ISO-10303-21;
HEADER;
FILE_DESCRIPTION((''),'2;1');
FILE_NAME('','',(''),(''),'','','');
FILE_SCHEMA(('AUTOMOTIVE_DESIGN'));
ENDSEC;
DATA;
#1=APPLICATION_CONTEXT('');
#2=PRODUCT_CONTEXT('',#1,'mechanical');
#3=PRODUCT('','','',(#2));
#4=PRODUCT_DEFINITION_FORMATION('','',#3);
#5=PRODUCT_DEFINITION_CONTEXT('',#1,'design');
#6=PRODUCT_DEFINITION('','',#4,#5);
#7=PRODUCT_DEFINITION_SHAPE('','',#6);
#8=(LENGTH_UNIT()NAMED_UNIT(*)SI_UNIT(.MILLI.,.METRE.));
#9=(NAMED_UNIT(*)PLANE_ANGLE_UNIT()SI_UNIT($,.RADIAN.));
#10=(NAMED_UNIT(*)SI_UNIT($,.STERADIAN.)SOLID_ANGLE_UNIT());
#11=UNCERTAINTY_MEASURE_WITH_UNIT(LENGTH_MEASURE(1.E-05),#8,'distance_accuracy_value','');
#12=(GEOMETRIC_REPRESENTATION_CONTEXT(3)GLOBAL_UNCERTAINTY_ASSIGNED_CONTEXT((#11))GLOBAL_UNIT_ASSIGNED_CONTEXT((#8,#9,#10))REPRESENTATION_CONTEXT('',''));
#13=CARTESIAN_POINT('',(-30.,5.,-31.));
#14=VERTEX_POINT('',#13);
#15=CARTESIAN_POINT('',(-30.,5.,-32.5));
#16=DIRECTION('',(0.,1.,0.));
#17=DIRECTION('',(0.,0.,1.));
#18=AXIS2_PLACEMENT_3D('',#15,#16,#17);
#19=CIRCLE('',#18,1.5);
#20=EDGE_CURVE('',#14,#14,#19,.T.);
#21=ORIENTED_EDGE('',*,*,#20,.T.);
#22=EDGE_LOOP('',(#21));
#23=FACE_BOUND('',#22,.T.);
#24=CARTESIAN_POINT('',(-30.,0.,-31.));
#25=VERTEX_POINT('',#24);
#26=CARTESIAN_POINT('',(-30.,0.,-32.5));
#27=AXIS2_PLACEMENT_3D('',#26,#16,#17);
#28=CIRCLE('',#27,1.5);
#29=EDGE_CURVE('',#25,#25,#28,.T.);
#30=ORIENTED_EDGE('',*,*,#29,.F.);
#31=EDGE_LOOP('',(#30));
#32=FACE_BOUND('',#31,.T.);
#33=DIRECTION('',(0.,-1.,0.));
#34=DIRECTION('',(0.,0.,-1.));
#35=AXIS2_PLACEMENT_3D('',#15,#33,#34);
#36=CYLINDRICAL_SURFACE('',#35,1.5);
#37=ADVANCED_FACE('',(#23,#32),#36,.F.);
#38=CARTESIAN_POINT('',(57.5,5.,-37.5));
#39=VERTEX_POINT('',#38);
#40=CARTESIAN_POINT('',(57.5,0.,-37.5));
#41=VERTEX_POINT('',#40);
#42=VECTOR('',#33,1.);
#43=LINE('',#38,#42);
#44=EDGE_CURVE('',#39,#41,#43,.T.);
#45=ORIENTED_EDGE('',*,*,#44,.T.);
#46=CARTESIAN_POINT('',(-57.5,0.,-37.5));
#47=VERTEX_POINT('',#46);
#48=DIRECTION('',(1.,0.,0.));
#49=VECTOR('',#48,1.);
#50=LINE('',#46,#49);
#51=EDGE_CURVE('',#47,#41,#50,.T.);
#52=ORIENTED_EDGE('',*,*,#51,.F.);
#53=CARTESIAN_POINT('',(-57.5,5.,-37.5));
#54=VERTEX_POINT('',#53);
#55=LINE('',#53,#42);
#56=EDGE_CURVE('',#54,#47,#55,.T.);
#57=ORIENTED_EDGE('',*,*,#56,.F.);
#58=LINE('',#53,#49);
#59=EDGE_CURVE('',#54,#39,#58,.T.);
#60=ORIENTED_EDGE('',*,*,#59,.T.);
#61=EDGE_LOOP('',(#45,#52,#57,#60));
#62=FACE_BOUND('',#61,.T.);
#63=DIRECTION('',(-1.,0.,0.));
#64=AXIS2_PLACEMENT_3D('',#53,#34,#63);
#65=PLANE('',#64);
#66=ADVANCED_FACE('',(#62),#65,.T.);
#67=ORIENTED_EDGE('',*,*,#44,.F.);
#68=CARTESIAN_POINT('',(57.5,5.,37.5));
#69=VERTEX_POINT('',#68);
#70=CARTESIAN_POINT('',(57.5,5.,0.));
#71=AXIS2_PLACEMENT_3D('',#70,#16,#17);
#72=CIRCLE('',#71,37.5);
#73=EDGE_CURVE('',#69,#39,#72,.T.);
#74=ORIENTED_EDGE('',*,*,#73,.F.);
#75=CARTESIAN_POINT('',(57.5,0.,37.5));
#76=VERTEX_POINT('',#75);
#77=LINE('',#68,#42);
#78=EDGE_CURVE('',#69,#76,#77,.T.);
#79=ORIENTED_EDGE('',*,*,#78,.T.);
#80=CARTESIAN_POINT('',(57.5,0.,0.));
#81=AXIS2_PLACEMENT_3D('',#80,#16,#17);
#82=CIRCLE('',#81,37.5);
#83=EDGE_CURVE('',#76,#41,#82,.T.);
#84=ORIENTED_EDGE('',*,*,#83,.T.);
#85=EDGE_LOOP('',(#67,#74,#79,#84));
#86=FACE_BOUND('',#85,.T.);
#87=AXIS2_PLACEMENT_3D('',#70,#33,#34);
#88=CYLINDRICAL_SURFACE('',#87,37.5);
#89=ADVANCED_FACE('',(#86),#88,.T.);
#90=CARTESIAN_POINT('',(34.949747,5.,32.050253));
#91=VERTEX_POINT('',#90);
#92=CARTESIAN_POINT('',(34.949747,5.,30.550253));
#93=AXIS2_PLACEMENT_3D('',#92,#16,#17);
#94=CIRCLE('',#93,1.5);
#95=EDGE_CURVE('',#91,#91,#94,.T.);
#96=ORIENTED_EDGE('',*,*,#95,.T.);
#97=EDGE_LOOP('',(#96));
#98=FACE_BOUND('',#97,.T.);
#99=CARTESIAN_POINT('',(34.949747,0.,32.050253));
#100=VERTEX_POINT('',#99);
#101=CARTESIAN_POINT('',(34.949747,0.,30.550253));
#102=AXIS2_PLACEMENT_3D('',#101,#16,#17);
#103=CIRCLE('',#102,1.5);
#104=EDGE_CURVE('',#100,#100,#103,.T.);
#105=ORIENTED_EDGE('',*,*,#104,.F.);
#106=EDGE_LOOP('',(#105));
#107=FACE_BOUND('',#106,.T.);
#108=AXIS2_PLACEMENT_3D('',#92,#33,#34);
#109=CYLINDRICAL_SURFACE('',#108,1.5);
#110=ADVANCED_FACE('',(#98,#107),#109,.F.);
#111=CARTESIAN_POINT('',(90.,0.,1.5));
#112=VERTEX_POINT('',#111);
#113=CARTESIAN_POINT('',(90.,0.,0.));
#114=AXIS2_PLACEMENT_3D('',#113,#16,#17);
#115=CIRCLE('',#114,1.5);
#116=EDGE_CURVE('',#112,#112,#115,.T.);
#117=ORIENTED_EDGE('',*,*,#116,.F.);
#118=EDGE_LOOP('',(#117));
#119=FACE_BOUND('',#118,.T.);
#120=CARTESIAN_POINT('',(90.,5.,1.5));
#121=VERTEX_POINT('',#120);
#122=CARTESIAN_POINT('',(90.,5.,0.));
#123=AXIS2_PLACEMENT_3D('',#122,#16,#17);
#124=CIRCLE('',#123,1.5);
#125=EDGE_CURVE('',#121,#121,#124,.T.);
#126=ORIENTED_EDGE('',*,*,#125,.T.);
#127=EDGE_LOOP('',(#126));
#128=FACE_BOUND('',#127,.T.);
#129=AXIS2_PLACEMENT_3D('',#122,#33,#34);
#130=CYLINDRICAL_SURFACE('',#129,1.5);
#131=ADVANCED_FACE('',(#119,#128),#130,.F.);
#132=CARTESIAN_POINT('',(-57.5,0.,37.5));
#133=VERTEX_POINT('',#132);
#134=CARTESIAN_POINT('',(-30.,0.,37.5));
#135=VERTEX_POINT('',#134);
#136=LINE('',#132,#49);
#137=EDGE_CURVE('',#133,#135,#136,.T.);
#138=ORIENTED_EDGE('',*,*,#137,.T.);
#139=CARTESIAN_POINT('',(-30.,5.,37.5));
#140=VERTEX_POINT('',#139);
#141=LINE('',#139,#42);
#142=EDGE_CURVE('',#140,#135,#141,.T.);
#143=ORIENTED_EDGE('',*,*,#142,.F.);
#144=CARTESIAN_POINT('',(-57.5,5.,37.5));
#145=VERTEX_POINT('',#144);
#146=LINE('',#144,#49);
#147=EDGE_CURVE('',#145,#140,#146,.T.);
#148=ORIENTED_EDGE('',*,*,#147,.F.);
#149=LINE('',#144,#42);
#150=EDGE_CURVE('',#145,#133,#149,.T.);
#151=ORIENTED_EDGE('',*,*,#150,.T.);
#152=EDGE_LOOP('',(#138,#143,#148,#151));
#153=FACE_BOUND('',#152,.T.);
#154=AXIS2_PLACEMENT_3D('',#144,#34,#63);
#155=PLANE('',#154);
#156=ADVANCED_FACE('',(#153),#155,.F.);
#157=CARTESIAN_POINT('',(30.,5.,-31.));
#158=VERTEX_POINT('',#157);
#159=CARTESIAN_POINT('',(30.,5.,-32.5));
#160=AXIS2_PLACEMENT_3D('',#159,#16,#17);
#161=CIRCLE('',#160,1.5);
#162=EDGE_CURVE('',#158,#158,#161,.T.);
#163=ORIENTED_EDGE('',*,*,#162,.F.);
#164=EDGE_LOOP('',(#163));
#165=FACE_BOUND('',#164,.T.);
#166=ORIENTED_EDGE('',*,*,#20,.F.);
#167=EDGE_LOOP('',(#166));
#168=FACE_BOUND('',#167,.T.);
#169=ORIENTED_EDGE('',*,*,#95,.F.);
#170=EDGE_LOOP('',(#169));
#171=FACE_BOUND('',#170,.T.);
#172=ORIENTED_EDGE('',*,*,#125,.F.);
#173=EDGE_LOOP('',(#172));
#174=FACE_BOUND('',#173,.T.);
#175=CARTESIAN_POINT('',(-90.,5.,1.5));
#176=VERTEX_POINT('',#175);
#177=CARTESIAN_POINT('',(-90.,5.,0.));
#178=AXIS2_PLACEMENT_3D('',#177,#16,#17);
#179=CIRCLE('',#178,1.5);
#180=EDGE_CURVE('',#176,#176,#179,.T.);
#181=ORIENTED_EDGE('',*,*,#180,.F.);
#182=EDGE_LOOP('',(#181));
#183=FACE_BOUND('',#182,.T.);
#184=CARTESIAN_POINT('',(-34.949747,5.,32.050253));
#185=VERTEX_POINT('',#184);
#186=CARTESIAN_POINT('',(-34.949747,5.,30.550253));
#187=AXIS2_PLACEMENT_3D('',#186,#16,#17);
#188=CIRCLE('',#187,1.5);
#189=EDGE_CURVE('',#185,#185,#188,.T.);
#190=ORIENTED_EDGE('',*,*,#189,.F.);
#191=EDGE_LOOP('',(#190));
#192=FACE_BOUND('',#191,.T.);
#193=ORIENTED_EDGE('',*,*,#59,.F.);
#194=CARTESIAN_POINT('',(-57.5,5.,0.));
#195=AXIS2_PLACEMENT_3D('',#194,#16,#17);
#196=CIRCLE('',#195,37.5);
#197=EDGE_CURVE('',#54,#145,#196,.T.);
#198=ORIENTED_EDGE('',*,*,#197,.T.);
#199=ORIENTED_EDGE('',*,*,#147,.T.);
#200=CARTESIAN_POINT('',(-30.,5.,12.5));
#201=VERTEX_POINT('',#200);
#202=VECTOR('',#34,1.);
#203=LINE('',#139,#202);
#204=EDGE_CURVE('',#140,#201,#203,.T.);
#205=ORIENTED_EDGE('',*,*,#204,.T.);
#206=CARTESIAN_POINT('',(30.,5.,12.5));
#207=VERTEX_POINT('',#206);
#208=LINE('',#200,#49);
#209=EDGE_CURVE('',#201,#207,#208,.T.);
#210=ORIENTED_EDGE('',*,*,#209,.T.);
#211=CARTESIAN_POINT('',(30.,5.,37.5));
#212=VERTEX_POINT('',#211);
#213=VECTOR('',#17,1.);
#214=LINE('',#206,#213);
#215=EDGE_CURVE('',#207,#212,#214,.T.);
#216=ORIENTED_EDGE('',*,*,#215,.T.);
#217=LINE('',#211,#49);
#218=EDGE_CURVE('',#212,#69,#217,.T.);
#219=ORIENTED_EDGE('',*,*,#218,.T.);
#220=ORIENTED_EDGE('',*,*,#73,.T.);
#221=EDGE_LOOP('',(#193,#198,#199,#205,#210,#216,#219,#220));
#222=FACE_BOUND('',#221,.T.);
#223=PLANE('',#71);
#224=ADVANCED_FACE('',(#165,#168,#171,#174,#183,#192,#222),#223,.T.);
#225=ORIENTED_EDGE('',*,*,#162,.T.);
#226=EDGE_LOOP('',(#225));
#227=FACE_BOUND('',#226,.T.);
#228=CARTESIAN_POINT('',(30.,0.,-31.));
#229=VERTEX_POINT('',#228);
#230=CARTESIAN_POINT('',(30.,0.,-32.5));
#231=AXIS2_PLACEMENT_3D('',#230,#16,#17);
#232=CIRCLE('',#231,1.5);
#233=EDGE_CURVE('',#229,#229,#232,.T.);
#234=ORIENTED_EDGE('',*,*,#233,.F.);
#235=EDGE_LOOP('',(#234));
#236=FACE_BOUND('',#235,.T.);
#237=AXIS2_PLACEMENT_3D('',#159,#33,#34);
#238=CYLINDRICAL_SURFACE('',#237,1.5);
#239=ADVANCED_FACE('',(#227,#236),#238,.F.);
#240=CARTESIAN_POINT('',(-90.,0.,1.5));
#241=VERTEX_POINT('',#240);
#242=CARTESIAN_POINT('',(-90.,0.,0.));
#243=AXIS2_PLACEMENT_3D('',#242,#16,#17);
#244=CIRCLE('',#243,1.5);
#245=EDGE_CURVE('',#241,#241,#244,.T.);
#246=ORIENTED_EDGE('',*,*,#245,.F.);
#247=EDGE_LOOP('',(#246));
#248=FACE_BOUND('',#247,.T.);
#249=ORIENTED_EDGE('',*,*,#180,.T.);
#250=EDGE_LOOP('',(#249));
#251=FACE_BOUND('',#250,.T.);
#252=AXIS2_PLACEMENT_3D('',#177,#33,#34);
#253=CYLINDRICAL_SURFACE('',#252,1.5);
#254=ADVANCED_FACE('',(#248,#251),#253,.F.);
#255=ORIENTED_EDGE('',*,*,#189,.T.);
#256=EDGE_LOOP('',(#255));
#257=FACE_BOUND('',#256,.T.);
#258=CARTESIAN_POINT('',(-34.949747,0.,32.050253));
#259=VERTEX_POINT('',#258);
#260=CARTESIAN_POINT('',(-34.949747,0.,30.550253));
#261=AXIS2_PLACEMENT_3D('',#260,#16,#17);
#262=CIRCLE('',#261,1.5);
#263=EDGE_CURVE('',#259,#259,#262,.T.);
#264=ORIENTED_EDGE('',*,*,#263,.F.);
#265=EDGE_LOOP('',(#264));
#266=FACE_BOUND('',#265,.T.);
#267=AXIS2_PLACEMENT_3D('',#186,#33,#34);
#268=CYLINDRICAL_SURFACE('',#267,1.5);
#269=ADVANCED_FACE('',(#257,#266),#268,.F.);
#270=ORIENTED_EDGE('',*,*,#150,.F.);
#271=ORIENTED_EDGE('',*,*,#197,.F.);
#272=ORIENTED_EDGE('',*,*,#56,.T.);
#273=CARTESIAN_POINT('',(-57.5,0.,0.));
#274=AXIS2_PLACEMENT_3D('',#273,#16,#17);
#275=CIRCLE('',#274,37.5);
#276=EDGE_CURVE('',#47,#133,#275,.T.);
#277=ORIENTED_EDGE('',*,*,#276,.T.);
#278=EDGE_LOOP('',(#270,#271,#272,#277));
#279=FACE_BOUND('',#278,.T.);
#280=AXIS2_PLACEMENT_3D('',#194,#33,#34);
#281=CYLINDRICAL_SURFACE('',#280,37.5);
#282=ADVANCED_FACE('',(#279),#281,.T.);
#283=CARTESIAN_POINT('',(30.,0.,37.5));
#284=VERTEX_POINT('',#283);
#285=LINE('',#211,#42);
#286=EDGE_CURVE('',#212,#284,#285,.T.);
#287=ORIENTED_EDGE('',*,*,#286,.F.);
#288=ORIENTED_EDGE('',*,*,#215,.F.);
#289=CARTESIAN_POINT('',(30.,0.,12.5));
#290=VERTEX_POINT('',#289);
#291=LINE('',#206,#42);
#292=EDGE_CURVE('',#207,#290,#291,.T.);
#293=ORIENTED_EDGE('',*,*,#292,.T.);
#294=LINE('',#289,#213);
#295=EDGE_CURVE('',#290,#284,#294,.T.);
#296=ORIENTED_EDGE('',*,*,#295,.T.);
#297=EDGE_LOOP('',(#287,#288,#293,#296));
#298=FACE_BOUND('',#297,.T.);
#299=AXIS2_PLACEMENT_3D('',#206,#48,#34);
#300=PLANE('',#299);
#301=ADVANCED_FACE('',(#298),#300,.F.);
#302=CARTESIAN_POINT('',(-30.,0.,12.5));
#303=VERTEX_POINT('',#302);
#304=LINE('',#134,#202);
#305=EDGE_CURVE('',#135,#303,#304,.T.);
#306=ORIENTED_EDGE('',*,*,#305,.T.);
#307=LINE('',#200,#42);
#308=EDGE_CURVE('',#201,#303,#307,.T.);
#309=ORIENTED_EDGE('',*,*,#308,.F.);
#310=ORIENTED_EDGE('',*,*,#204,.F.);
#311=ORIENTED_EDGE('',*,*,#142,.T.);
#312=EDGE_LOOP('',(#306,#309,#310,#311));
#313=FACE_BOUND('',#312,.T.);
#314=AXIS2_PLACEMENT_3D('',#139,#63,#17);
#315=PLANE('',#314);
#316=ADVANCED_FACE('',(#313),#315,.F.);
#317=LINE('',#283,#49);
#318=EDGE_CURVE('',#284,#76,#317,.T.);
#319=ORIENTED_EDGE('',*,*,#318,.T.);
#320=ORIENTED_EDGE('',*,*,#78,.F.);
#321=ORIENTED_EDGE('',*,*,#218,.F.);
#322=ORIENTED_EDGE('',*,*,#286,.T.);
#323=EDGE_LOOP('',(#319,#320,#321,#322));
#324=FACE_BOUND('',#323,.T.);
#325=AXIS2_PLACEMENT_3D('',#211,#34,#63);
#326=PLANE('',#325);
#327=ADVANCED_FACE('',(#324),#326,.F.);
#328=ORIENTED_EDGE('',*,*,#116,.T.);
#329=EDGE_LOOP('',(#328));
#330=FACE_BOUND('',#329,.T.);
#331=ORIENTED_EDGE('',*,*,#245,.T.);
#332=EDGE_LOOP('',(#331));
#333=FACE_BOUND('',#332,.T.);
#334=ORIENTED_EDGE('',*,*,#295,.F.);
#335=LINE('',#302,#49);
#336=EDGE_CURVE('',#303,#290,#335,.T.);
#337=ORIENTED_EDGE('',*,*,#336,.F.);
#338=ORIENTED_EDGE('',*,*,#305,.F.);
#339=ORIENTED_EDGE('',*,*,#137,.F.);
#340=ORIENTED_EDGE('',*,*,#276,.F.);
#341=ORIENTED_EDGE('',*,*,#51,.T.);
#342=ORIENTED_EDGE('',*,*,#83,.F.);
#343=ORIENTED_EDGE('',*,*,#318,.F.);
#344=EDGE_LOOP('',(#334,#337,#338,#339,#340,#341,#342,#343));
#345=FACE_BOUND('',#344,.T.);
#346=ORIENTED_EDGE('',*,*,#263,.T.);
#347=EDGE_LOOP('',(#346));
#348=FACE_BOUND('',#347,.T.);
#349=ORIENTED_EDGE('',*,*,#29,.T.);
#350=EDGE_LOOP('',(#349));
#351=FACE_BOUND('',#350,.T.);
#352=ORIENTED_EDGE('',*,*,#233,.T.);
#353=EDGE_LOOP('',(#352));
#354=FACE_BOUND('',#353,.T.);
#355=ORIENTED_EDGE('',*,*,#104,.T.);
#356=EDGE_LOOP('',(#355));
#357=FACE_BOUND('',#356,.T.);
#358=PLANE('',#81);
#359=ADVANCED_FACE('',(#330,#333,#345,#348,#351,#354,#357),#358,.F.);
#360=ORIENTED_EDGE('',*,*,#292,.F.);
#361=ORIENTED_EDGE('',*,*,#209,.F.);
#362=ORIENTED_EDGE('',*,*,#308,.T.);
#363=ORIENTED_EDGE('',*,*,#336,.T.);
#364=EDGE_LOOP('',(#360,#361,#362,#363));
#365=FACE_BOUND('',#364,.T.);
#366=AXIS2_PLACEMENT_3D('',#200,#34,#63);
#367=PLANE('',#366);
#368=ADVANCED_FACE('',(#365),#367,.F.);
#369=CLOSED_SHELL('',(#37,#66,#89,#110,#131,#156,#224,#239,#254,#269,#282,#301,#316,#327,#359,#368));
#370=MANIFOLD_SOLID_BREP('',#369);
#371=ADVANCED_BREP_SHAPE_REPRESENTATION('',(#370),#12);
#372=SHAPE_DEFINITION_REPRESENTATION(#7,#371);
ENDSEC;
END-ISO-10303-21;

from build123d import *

# Parameters (mm, degrees)
SKETCH1_R           = 1.5
BOSS_EXTRUDE1_DEPTH = 5


with BuildPart() as part:
    # Sketch1 → Boss-Extrude1 (new body)
    with BuildSketch(Plane(origin=(0, 0, 0), x_dir=(1, 0, 0), z_dir=(0, 1, 0))):
        with BuildLine():
            Line((-57.5, 37.5), (57.5, 37.5))
            ThreePointArc((57.5, 37.5), (95, 0), (57.5, -37.5))
            Line((57.5, -37.5), (30, -37.5))
            Line((30, -37.5), (30, -12.5))
            Line((30, -12.5), (-30, -12.5))
            Line((-30, -12.5), (-30, -37.5))
            Line((-30, -37.5), (-57.5, -37.5))
            ThreePointArc((-57.5, -37.5), (-95, 0), (-57.5, 37.5))
        make_face()
        with Locations(Location((-90, 0, 0), (0, 0, 270))):
            Circle(SKETCH1_R, mode=Mode.SUBTRACT)
        with Locations(Location((-30, 32.5, 0), (0, 0, 270))):
            Circle(SKETCH1_R, mode=Mode.SUBTRACT)
        with Locations(Location((30, 32.5, 0), (0, 0, 270))):
            Circle(SKETCH1_R, mode=Mode.SUBTRACT)
        with Locations(Location((90, 0, 0), (0, 0, 270))):
            Circle(SKETCH1_R, mode=Mode.SUBTRACT)
        with Locations(Location((34.949747468, -30.550252532, 0), (0, 0, 270))):
            Circle(SKETCH1_R, mode=Mode.SUBTRACT)
        with Locations(Location((-34.949747468, -30.550252532, 0), (0, 0, 270))):
            Circle(SKETCH1_R, mode=Mode.SUBTRACT)
    extrude(amount=BOSS_EXTRUDE1_DEPTH)


solid = part.part
